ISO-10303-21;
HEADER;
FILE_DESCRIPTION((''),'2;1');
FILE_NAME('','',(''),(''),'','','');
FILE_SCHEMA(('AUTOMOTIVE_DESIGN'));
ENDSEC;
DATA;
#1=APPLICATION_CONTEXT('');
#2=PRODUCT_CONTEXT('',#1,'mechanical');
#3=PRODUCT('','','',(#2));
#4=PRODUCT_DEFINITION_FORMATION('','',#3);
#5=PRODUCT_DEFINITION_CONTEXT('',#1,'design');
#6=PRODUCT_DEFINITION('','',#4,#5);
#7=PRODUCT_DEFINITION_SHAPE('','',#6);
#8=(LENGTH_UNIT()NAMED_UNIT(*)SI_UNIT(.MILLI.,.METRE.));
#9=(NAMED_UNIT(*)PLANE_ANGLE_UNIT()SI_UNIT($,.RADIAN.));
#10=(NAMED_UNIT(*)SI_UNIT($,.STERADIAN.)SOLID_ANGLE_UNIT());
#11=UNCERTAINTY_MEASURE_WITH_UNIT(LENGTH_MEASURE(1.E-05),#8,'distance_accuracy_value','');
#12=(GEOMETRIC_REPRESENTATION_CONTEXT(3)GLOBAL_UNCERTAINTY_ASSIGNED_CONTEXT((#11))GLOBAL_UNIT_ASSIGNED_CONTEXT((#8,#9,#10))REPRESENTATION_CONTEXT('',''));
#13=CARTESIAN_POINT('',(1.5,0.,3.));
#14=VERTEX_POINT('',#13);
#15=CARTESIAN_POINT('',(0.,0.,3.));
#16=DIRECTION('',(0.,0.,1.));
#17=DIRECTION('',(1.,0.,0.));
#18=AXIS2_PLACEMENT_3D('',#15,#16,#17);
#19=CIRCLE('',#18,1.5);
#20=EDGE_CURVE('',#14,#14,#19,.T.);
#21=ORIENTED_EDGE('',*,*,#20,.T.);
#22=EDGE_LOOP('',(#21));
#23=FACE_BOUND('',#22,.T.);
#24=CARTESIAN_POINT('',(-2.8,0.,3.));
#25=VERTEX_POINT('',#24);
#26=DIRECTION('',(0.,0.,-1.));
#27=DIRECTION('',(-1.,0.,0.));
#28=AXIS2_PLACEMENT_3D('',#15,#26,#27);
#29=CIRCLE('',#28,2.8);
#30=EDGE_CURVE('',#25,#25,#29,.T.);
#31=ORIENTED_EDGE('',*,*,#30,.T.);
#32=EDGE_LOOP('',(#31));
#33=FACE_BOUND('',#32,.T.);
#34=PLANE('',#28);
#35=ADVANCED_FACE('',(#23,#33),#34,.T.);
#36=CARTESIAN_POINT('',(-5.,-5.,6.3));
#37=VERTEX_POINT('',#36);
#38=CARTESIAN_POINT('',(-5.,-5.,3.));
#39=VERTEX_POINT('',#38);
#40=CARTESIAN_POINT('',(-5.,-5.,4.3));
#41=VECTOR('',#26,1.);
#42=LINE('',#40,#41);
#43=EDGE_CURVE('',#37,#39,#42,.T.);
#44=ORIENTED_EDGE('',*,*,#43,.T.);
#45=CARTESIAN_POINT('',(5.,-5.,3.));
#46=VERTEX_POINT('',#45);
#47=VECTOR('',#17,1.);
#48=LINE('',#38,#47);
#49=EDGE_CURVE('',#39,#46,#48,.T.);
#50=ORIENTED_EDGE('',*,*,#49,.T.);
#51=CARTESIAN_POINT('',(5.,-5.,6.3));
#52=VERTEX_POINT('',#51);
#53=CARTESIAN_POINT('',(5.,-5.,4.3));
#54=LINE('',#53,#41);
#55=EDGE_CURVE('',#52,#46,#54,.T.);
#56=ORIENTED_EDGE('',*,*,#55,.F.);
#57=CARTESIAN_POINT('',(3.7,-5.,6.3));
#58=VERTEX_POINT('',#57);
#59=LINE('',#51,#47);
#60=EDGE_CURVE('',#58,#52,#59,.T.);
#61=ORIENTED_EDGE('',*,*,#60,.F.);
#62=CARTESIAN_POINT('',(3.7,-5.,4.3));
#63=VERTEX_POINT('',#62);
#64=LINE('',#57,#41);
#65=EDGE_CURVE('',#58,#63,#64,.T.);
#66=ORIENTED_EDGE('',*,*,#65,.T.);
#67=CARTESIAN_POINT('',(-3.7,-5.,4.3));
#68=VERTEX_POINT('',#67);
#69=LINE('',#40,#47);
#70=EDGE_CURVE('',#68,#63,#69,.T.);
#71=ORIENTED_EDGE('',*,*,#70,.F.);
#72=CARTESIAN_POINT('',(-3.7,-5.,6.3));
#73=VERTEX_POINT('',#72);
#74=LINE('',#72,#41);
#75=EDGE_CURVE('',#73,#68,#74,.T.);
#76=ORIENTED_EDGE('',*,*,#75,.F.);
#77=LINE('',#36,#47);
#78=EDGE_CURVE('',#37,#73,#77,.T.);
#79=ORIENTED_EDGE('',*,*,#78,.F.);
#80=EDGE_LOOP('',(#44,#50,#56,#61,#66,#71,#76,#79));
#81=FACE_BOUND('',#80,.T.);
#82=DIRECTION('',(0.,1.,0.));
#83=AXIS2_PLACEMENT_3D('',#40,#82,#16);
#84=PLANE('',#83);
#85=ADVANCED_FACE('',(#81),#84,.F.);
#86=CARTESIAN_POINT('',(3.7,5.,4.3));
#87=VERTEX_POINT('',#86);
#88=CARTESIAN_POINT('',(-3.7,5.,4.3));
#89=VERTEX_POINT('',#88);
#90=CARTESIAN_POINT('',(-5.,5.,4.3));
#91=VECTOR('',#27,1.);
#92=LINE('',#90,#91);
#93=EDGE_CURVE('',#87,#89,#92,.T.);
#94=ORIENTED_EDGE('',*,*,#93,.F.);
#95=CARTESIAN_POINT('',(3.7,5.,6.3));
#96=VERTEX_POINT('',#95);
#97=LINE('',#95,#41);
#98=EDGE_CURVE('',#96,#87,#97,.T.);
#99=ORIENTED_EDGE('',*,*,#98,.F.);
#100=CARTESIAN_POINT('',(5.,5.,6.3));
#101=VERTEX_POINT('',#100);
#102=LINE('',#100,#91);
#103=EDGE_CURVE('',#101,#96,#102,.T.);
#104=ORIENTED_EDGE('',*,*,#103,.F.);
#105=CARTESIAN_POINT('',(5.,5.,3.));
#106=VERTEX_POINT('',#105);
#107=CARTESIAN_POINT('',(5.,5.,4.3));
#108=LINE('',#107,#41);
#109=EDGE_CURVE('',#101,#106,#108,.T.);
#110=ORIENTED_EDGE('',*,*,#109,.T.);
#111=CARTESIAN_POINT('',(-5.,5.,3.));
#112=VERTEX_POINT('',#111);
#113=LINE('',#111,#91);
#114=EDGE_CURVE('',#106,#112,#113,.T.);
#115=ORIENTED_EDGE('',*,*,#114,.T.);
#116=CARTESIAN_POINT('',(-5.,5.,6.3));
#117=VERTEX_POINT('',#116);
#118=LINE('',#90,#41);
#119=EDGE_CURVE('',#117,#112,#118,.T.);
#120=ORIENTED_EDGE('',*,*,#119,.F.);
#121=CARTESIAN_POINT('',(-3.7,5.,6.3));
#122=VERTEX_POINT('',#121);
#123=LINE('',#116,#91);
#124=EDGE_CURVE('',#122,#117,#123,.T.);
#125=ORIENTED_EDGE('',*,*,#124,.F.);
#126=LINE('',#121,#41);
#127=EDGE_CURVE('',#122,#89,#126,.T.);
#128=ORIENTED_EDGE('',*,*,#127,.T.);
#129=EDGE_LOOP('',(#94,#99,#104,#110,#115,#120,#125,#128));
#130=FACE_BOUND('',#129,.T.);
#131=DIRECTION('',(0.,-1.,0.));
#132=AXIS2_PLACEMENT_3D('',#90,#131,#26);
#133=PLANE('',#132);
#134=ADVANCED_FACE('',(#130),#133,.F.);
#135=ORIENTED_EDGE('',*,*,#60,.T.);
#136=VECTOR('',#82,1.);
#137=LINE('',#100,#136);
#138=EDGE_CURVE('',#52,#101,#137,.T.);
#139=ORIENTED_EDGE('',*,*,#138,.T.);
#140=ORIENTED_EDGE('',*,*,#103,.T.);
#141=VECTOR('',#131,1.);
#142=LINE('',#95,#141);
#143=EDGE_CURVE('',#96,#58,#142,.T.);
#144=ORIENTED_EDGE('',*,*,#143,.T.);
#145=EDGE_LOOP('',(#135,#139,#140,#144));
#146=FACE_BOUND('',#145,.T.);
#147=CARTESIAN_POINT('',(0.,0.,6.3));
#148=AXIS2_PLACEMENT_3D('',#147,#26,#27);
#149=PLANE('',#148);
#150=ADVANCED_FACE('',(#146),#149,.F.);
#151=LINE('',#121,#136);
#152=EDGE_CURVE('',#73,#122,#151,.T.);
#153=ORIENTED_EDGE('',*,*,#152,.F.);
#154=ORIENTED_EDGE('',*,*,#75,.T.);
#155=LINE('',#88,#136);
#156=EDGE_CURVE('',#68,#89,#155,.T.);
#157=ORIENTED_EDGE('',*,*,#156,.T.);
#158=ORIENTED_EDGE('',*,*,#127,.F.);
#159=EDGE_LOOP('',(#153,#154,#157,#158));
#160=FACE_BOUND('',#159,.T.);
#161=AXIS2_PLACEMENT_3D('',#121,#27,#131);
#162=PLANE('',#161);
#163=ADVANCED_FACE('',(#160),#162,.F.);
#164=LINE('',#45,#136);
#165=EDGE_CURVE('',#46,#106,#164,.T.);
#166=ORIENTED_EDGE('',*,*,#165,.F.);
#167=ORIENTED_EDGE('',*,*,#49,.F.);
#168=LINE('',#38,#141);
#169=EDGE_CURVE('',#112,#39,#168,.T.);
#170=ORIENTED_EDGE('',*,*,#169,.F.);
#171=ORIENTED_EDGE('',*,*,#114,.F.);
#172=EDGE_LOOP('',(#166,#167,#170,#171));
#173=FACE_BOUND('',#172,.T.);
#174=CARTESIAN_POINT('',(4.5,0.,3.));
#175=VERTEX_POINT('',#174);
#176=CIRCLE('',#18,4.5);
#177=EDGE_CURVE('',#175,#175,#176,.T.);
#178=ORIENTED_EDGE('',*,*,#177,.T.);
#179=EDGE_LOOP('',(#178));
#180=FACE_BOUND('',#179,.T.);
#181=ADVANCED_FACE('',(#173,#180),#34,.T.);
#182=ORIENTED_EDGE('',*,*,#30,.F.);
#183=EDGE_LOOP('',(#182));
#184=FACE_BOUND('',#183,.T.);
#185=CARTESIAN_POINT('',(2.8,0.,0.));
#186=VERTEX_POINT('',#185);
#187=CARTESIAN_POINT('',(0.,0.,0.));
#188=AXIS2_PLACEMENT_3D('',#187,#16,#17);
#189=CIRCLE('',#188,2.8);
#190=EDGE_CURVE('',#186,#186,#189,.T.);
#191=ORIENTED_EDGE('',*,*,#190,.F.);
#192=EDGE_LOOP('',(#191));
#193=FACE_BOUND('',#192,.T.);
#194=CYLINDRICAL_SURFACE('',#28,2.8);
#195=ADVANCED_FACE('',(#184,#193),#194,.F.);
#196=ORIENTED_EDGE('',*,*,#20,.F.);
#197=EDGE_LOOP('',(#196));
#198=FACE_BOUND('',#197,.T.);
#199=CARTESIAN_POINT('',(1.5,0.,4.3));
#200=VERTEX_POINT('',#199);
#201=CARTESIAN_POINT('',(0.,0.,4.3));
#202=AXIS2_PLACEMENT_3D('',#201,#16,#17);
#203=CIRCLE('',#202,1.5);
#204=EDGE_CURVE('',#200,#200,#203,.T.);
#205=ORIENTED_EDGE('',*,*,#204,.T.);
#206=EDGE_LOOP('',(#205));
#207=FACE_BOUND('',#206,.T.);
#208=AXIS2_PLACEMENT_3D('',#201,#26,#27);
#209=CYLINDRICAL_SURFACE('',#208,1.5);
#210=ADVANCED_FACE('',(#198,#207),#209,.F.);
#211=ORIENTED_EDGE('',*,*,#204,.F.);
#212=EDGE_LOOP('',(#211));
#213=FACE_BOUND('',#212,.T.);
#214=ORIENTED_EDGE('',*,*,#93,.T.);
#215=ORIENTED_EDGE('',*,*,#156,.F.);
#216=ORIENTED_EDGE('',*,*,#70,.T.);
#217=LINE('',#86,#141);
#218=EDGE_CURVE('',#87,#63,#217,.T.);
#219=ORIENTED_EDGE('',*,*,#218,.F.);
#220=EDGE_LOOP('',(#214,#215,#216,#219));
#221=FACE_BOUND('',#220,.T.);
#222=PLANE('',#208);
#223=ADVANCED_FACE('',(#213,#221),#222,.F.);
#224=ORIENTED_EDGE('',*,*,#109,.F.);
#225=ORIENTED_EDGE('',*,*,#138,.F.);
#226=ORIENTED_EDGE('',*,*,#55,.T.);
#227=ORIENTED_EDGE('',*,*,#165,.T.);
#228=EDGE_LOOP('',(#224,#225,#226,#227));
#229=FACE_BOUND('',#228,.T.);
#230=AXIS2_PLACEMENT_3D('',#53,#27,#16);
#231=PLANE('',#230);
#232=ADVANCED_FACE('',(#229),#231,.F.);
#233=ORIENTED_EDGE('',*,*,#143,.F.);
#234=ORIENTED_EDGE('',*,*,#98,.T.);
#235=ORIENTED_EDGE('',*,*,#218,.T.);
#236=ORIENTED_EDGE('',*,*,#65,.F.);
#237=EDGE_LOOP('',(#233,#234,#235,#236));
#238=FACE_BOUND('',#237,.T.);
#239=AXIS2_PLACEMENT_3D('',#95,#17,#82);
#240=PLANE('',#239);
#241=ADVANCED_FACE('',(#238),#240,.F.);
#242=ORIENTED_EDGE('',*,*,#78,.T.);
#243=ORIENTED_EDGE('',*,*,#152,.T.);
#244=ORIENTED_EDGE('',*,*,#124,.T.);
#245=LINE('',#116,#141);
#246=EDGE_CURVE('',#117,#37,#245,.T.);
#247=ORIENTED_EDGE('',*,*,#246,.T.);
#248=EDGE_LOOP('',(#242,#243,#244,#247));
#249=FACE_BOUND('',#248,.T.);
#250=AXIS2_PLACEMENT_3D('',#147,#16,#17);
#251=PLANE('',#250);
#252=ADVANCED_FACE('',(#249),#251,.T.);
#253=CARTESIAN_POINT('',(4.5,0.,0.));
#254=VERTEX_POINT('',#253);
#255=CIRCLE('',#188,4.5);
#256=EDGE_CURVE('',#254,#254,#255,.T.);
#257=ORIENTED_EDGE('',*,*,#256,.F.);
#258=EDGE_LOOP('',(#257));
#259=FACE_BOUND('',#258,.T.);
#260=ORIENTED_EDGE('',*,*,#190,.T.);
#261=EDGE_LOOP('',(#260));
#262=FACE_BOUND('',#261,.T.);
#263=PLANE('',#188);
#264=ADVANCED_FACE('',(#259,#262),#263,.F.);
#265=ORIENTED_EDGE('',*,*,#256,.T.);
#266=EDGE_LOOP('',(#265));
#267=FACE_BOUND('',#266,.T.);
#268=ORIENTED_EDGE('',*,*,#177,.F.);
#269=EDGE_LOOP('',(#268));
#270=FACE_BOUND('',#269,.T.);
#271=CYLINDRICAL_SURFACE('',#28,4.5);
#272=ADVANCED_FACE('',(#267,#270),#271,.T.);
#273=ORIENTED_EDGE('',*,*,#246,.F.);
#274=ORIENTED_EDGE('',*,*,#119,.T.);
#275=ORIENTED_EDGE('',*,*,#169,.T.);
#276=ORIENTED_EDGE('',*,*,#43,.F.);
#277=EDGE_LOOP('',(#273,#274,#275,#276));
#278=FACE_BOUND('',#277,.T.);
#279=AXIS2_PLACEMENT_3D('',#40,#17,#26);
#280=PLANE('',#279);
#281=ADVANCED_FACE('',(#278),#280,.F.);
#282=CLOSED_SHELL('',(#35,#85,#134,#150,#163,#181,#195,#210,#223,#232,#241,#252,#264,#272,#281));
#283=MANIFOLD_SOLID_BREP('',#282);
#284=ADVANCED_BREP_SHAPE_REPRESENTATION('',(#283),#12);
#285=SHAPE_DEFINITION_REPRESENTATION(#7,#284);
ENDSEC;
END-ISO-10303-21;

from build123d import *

# Parameters (mm, degrees)
SKETCH1_R           = 4.5
SKETCH1_R_2         = 2.8
BOSS_EXTRUDE1_DEPTH = 3
SKETCH2_W           = 10
SKETCH2_H           = 10
SKETCH2_R           = 1.5
BOSS_EXTRUDE2_DEPTH = 1.3
SKETCH3_W           = 1.3
SKETCH3_H           = 10
BOSS_EXTRUDE3_DEPTH = 2


with BuildPart() as part:
    # Sketch1 → Boss-Extrude1 (new body)
    with BuildSketch(Plane.XY):
        Circle(SKETCH1_R)
        Circle(SKETCH1_R_2, mode=Mode.SUBTRACT)
    extrude(amount=BOSS_EXTRUDE1_DEPTH)

    # Sketch2 → Boss-Extrude2 (add)
    with BuildSketch(Plane.XY.offset(3)):
        Rectangle(SKETCH2_W, SKETCH2_H)
        Circle(SKETCH2_R, mode=Mode.SUBTRACT)
    extrude(amount=BOSS_EXTRUDE2_DEPTH)

    # Sketch3 → Boss-Extrude3 (add)
    with BuildSketch(Plane.XY.offset(4.3)):
        with Locations((-4.35, 0)):
            Rectangle(SKETCH3_W, SKETCH3_H)
        with Locations((4.35, 0)):
            Rectangle(SKETCH3_W, SKETCH3_H)
    extrude(amount=BOSS_EXTRUDE3_DEPTH)


solid = part.part
